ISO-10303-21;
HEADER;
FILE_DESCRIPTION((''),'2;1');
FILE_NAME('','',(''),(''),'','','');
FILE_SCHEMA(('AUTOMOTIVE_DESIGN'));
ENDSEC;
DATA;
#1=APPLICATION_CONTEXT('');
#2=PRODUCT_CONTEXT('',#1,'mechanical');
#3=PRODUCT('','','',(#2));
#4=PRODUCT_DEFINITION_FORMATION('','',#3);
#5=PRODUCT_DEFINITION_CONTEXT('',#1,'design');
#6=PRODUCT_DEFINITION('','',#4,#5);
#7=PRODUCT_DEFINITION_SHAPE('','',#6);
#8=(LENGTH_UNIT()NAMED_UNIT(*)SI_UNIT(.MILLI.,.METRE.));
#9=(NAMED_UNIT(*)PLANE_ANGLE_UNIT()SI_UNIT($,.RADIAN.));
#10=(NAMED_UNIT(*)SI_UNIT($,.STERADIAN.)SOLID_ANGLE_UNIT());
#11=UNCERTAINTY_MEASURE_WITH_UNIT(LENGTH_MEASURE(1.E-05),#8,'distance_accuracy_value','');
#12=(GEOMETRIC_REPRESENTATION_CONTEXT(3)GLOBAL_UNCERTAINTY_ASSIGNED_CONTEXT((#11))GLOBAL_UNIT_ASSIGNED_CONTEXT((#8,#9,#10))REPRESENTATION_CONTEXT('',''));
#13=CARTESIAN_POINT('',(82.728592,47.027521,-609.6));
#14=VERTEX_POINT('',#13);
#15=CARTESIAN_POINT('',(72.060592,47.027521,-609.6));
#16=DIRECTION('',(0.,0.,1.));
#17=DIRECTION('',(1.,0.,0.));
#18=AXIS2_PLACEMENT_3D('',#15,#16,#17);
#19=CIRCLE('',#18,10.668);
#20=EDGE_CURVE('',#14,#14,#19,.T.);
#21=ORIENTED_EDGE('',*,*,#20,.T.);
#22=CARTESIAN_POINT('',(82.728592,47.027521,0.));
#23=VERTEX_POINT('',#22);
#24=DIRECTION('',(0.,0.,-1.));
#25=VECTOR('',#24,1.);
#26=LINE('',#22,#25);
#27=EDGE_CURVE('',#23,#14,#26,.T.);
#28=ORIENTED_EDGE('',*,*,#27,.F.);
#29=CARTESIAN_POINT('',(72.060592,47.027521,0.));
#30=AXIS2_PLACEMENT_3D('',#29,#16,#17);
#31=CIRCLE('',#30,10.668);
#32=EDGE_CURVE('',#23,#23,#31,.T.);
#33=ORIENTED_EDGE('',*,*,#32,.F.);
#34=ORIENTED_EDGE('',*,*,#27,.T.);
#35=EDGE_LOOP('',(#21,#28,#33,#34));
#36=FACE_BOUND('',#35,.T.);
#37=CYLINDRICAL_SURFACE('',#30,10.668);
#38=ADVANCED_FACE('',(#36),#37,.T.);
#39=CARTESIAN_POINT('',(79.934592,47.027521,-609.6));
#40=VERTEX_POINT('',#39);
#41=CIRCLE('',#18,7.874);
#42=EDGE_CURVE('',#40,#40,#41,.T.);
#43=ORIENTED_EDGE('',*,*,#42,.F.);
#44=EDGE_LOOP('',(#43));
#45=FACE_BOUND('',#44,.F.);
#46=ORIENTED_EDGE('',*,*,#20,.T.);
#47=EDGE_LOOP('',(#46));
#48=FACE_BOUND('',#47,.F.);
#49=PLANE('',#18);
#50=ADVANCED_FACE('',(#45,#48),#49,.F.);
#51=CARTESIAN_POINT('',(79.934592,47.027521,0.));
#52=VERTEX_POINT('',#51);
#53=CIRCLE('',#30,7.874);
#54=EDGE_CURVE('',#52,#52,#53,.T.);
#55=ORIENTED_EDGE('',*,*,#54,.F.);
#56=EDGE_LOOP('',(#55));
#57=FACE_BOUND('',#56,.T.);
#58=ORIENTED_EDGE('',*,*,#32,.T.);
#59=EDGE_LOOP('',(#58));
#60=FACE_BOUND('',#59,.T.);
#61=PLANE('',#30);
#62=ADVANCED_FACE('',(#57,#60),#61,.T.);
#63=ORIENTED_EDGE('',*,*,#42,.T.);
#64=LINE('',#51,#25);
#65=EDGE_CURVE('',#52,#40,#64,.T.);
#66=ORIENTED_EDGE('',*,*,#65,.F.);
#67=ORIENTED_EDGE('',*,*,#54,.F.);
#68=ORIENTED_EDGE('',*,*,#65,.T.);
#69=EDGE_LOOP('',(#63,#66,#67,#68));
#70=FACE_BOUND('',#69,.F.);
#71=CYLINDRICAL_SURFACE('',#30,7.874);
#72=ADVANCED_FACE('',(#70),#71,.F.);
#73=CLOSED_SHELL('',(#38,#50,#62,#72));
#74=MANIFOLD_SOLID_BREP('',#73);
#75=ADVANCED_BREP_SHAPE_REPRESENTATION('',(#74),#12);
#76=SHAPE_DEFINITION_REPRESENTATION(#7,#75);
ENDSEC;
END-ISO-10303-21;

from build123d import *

# Parameters (mm, degrees)
F1_R     = 10.668
F1_R_2   = 7.874
F2_DEPTH = 609.6


with BuildPart() as f2:
    # F1 (on face) → F2 (new body)
    with BuildSketch(Plane.XY):
        with Locations((72.060592, 47.027521)):
            Circle(F1_R)
        with Locations((72.060592, 47.027521)):
            Circle(F1_R_2, mode=Mode.SUBTRACT)
    extrude(amount=-F2_DEPTH)


solid = f2.part
